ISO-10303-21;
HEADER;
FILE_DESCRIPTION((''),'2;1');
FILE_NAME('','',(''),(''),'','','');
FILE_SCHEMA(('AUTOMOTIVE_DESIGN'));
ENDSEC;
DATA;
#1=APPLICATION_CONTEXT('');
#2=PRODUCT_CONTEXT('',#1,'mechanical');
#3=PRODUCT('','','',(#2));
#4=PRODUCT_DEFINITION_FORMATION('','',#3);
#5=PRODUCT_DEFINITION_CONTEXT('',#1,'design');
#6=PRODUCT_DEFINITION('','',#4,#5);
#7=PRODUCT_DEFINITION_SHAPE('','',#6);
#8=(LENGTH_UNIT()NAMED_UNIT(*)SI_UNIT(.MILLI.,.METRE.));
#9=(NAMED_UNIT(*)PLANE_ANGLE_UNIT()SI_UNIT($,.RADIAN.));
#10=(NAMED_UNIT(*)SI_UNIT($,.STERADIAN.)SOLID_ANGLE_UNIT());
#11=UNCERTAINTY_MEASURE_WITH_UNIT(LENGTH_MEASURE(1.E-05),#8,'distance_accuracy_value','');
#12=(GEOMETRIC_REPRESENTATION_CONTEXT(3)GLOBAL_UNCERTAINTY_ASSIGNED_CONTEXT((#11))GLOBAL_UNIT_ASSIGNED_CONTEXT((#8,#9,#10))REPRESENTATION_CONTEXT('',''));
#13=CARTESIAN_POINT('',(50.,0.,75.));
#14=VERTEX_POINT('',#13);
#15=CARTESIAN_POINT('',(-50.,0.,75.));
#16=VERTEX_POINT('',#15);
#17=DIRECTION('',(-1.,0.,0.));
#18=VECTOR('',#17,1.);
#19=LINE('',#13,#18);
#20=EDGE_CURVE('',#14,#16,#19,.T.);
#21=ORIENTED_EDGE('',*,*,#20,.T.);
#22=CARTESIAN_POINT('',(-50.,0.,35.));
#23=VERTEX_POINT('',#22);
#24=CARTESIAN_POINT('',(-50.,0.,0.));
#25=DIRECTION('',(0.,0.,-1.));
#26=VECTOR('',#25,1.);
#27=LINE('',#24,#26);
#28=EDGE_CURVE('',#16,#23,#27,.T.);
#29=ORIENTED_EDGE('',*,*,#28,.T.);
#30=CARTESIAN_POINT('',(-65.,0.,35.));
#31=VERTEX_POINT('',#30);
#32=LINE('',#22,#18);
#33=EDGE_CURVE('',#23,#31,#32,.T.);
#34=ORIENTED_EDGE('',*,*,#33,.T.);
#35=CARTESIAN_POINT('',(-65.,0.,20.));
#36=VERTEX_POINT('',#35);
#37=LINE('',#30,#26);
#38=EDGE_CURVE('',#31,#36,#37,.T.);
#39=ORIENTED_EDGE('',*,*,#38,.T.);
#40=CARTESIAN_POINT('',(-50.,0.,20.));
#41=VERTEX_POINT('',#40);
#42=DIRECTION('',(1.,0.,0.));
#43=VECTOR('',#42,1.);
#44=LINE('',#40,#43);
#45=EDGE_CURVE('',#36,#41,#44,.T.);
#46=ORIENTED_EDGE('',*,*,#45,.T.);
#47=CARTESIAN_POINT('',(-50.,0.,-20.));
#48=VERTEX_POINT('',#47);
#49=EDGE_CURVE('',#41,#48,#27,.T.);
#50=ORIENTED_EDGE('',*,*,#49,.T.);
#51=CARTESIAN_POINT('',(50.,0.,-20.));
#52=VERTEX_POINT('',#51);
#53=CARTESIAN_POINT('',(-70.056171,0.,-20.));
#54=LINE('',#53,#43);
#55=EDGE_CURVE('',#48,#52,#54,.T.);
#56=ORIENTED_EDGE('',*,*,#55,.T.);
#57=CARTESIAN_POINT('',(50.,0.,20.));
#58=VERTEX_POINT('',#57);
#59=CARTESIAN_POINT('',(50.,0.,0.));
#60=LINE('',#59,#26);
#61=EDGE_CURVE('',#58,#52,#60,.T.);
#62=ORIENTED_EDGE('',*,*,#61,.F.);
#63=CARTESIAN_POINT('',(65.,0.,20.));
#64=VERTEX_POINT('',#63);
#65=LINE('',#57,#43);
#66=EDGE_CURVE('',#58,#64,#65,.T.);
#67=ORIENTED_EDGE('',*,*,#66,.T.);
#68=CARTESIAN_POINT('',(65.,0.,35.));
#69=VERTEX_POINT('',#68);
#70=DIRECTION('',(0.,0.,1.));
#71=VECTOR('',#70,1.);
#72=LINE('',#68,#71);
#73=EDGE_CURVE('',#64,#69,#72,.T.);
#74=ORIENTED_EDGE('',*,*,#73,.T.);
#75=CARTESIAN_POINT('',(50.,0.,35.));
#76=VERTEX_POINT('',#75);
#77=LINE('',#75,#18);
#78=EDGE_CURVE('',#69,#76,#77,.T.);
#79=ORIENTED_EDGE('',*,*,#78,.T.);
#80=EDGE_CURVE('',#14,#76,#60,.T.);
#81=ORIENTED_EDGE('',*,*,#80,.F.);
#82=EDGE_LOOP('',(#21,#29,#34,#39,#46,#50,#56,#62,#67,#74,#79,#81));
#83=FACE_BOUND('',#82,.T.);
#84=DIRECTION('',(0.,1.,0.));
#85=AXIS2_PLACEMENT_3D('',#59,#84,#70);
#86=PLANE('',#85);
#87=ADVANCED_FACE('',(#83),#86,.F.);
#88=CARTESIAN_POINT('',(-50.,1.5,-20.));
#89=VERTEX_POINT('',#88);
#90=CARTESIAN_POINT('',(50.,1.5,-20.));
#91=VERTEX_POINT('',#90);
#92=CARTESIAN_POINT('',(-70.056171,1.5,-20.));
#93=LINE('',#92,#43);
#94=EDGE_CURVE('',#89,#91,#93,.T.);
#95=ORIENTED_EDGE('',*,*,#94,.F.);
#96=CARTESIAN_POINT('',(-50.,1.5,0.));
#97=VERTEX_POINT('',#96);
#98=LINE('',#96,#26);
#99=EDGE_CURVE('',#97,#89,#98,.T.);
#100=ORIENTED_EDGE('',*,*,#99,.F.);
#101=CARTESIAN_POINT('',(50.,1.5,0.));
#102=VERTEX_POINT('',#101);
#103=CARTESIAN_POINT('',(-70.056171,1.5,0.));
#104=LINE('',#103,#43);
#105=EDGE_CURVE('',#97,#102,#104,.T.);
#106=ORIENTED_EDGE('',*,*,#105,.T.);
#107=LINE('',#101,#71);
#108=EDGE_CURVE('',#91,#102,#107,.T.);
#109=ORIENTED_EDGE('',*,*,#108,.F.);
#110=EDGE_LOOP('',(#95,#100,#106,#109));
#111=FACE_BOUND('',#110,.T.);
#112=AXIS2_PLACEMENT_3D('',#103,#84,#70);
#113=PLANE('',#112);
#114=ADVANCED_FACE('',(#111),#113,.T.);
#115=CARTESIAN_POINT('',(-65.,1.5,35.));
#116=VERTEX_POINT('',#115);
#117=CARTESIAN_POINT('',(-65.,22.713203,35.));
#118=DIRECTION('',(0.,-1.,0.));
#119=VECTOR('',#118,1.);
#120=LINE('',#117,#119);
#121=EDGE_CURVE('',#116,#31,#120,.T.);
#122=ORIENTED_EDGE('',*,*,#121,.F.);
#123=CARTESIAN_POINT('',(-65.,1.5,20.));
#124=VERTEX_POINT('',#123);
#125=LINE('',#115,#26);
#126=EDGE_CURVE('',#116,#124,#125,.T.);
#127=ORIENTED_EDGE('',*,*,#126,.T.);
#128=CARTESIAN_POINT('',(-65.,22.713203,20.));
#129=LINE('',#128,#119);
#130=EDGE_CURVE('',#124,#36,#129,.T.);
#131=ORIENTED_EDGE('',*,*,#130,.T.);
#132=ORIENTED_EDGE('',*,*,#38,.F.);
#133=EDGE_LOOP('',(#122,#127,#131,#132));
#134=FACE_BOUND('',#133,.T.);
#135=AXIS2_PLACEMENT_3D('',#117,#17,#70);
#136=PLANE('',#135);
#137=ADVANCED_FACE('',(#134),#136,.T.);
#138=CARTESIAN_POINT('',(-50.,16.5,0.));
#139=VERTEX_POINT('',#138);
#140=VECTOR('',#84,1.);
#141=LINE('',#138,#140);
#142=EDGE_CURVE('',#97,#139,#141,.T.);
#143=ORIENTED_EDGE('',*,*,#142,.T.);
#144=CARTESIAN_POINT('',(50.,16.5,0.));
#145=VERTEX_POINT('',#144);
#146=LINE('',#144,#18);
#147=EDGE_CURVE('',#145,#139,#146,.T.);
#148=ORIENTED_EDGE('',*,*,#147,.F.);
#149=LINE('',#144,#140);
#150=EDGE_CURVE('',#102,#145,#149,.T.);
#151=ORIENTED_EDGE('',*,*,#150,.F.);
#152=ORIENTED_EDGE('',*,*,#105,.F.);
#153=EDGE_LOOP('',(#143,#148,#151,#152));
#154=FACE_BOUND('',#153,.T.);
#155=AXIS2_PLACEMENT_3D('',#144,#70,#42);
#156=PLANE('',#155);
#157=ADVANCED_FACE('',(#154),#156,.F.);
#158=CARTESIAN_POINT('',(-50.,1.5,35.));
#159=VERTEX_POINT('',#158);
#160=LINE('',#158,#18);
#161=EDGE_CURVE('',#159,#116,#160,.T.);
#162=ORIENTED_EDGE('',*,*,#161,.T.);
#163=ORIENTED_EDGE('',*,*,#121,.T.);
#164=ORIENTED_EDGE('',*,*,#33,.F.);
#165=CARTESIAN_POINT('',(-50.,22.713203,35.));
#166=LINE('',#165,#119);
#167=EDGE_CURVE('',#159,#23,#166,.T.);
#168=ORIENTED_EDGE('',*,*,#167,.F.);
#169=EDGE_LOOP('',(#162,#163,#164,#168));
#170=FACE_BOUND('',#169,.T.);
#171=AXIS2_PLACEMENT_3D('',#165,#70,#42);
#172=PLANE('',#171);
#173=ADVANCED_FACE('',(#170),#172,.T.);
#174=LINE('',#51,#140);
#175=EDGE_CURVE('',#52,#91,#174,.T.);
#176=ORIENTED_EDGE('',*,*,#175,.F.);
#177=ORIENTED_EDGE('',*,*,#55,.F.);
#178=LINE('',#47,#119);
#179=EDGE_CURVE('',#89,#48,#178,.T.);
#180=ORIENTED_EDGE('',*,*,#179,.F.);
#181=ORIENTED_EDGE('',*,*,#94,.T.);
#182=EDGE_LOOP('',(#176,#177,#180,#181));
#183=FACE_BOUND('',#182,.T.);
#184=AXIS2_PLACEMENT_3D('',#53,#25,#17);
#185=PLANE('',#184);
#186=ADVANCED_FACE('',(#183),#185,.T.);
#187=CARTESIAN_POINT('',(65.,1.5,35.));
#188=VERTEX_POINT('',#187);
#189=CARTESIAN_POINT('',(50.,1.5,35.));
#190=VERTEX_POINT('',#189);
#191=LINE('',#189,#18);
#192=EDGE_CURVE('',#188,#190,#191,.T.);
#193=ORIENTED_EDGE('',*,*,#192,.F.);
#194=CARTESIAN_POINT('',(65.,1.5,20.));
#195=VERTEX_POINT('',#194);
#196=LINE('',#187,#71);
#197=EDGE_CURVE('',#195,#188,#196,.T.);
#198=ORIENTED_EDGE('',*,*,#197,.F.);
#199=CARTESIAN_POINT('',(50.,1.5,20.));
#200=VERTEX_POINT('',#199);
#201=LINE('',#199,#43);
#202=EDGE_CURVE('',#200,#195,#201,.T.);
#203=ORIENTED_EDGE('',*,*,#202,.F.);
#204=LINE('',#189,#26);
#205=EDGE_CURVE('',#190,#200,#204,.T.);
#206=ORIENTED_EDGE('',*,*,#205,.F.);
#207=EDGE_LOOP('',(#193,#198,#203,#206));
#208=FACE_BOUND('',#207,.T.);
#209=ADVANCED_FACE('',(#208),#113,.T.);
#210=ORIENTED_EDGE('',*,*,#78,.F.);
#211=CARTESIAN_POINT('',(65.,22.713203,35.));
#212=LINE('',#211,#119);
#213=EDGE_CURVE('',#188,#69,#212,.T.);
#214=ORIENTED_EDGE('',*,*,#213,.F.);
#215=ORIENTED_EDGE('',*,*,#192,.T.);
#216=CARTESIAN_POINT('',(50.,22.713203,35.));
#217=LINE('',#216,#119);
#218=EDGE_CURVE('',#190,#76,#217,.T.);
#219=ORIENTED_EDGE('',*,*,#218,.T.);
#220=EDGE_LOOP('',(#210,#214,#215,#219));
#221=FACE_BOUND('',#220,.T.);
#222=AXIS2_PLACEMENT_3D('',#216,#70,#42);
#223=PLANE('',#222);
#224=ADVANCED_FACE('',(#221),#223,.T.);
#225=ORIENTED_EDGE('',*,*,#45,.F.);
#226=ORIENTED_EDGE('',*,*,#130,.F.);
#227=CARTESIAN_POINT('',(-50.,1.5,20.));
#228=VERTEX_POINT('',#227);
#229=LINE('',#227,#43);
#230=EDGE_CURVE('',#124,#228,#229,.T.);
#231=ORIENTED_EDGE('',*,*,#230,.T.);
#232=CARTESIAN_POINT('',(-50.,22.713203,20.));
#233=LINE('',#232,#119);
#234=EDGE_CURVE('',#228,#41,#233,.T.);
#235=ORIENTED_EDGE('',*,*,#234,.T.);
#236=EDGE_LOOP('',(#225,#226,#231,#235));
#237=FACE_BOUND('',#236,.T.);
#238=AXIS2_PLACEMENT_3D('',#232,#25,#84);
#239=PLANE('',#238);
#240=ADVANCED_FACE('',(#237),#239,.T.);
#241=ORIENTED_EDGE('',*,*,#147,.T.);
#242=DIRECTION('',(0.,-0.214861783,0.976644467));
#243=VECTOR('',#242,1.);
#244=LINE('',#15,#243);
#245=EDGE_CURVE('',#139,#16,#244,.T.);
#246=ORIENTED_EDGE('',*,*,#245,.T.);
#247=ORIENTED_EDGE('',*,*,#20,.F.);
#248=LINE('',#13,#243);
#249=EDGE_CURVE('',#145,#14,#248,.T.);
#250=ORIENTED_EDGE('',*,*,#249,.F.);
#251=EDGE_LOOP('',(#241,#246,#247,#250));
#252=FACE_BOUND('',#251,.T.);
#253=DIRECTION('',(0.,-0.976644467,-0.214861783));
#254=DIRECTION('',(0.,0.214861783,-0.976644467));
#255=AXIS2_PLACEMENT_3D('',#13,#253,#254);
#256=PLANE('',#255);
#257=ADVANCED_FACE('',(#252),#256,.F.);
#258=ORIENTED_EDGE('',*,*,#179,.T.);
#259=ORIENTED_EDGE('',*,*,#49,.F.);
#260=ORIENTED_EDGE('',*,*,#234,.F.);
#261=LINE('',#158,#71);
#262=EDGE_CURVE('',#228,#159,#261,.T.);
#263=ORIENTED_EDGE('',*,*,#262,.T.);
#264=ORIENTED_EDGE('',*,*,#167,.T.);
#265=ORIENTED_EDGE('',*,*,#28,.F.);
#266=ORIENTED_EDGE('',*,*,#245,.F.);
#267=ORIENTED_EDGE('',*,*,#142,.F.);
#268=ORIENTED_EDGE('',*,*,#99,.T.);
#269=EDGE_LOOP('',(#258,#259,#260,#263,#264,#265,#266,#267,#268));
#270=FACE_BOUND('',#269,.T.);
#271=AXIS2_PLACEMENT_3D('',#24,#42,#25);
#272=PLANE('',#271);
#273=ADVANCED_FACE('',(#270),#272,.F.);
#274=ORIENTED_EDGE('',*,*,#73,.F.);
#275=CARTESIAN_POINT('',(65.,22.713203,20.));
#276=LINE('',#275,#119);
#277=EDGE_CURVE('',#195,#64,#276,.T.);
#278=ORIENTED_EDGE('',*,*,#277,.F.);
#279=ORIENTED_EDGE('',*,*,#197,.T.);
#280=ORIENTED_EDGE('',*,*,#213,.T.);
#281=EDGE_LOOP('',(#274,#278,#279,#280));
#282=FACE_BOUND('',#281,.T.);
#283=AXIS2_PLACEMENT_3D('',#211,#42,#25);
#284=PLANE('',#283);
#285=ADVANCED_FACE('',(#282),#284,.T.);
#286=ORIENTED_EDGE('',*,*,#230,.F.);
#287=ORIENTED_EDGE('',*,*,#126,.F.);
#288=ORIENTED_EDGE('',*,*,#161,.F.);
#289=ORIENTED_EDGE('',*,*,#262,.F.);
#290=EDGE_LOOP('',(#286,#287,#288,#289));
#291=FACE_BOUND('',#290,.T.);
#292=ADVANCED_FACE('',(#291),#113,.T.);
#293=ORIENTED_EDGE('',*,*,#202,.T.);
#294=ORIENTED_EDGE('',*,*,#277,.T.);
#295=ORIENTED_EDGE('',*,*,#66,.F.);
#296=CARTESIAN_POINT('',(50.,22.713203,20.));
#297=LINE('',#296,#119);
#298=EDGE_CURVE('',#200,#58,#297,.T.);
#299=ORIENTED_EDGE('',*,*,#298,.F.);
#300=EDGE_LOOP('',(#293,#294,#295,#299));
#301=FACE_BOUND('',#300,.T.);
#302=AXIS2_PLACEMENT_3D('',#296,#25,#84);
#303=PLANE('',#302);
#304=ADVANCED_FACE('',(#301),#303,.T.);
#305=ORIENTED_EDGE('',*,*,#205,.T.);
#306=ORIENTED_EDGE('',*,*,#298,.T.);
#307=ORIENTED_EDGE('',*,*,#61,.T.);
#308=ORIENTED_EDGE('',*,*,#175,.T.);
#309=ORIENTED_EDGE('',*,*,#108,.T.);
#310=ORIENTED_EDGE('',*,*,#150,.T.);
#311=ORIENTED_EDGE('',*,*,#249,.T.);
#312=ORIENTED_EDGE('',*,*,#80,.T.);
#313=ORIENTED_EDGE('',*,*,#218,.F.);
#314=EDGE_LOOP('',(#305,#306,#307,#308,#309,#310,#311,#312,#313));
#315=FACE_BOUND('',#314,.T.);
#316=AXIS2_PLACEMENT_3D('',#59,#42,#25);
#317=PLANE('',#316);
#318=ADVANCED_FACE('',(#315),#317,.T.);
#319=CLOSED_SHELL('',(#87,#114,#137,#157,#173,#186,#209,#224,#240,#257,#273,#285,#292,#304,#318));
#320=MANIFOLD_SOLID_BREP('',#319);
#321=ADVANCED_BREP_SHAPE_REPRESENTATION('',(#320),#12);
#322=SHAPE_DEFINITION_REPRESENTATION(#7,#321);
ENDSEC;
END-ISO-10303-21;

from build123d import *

# Parameters (mm, degrees)
BOSS_EXTRUDE1_DEPTH = 50
SKETCH2_W           = 20
SKETCH2_H           = 1.5
BOSS_EXTRUDE2_DEPTH = 100
SKETCH3_W           = 15
SKETCH3_H           = 15
BOSS_EXTRUDE3_DEPTH = 1.5


with BuildPart() as part:
    # Sketch1 → Boss-Extrude1 (new body, symmetric)
    with BuildSketch(Plane(origin=(0, 0, 0), x_dir=(0, 0, -1), z_dir=(1, 0, 0))):
        Polygon((-75, 0), (0, 16.5), (0, 0), align=None)
    extrude(amount=BOSS_EXTRUDE1_DEPTH, both=True)

    # Sketch2 → Boss-Extrude2 (add)
    with BuildSketch(Plane(origin=(50, 0, 0), x_dir=(0, 0, -1), z_dir=(1, 0, 0))):
        with Locations((10, 0.75)):
            Rectangle(SKETCH2_W, SKETCH2_H)
    extrude(amount=-BOSS_EXTRUDE2_DEPTH)

    # Sketch3 → Boss-Extrude3 (add)
    with BuildSketch(Plane.XZ):
        with Locations((57.5, 27.5)):
            Rectangle(SKETCH3_W, SKETCH3_H)
        with Locations((-57.5, 27.5)):
            Rectangle(SKETCH3_W, SKETCH3_H)
    extrude(amount=-BOSS_EXTRUDE3_DEPTH)


solid = part.part
